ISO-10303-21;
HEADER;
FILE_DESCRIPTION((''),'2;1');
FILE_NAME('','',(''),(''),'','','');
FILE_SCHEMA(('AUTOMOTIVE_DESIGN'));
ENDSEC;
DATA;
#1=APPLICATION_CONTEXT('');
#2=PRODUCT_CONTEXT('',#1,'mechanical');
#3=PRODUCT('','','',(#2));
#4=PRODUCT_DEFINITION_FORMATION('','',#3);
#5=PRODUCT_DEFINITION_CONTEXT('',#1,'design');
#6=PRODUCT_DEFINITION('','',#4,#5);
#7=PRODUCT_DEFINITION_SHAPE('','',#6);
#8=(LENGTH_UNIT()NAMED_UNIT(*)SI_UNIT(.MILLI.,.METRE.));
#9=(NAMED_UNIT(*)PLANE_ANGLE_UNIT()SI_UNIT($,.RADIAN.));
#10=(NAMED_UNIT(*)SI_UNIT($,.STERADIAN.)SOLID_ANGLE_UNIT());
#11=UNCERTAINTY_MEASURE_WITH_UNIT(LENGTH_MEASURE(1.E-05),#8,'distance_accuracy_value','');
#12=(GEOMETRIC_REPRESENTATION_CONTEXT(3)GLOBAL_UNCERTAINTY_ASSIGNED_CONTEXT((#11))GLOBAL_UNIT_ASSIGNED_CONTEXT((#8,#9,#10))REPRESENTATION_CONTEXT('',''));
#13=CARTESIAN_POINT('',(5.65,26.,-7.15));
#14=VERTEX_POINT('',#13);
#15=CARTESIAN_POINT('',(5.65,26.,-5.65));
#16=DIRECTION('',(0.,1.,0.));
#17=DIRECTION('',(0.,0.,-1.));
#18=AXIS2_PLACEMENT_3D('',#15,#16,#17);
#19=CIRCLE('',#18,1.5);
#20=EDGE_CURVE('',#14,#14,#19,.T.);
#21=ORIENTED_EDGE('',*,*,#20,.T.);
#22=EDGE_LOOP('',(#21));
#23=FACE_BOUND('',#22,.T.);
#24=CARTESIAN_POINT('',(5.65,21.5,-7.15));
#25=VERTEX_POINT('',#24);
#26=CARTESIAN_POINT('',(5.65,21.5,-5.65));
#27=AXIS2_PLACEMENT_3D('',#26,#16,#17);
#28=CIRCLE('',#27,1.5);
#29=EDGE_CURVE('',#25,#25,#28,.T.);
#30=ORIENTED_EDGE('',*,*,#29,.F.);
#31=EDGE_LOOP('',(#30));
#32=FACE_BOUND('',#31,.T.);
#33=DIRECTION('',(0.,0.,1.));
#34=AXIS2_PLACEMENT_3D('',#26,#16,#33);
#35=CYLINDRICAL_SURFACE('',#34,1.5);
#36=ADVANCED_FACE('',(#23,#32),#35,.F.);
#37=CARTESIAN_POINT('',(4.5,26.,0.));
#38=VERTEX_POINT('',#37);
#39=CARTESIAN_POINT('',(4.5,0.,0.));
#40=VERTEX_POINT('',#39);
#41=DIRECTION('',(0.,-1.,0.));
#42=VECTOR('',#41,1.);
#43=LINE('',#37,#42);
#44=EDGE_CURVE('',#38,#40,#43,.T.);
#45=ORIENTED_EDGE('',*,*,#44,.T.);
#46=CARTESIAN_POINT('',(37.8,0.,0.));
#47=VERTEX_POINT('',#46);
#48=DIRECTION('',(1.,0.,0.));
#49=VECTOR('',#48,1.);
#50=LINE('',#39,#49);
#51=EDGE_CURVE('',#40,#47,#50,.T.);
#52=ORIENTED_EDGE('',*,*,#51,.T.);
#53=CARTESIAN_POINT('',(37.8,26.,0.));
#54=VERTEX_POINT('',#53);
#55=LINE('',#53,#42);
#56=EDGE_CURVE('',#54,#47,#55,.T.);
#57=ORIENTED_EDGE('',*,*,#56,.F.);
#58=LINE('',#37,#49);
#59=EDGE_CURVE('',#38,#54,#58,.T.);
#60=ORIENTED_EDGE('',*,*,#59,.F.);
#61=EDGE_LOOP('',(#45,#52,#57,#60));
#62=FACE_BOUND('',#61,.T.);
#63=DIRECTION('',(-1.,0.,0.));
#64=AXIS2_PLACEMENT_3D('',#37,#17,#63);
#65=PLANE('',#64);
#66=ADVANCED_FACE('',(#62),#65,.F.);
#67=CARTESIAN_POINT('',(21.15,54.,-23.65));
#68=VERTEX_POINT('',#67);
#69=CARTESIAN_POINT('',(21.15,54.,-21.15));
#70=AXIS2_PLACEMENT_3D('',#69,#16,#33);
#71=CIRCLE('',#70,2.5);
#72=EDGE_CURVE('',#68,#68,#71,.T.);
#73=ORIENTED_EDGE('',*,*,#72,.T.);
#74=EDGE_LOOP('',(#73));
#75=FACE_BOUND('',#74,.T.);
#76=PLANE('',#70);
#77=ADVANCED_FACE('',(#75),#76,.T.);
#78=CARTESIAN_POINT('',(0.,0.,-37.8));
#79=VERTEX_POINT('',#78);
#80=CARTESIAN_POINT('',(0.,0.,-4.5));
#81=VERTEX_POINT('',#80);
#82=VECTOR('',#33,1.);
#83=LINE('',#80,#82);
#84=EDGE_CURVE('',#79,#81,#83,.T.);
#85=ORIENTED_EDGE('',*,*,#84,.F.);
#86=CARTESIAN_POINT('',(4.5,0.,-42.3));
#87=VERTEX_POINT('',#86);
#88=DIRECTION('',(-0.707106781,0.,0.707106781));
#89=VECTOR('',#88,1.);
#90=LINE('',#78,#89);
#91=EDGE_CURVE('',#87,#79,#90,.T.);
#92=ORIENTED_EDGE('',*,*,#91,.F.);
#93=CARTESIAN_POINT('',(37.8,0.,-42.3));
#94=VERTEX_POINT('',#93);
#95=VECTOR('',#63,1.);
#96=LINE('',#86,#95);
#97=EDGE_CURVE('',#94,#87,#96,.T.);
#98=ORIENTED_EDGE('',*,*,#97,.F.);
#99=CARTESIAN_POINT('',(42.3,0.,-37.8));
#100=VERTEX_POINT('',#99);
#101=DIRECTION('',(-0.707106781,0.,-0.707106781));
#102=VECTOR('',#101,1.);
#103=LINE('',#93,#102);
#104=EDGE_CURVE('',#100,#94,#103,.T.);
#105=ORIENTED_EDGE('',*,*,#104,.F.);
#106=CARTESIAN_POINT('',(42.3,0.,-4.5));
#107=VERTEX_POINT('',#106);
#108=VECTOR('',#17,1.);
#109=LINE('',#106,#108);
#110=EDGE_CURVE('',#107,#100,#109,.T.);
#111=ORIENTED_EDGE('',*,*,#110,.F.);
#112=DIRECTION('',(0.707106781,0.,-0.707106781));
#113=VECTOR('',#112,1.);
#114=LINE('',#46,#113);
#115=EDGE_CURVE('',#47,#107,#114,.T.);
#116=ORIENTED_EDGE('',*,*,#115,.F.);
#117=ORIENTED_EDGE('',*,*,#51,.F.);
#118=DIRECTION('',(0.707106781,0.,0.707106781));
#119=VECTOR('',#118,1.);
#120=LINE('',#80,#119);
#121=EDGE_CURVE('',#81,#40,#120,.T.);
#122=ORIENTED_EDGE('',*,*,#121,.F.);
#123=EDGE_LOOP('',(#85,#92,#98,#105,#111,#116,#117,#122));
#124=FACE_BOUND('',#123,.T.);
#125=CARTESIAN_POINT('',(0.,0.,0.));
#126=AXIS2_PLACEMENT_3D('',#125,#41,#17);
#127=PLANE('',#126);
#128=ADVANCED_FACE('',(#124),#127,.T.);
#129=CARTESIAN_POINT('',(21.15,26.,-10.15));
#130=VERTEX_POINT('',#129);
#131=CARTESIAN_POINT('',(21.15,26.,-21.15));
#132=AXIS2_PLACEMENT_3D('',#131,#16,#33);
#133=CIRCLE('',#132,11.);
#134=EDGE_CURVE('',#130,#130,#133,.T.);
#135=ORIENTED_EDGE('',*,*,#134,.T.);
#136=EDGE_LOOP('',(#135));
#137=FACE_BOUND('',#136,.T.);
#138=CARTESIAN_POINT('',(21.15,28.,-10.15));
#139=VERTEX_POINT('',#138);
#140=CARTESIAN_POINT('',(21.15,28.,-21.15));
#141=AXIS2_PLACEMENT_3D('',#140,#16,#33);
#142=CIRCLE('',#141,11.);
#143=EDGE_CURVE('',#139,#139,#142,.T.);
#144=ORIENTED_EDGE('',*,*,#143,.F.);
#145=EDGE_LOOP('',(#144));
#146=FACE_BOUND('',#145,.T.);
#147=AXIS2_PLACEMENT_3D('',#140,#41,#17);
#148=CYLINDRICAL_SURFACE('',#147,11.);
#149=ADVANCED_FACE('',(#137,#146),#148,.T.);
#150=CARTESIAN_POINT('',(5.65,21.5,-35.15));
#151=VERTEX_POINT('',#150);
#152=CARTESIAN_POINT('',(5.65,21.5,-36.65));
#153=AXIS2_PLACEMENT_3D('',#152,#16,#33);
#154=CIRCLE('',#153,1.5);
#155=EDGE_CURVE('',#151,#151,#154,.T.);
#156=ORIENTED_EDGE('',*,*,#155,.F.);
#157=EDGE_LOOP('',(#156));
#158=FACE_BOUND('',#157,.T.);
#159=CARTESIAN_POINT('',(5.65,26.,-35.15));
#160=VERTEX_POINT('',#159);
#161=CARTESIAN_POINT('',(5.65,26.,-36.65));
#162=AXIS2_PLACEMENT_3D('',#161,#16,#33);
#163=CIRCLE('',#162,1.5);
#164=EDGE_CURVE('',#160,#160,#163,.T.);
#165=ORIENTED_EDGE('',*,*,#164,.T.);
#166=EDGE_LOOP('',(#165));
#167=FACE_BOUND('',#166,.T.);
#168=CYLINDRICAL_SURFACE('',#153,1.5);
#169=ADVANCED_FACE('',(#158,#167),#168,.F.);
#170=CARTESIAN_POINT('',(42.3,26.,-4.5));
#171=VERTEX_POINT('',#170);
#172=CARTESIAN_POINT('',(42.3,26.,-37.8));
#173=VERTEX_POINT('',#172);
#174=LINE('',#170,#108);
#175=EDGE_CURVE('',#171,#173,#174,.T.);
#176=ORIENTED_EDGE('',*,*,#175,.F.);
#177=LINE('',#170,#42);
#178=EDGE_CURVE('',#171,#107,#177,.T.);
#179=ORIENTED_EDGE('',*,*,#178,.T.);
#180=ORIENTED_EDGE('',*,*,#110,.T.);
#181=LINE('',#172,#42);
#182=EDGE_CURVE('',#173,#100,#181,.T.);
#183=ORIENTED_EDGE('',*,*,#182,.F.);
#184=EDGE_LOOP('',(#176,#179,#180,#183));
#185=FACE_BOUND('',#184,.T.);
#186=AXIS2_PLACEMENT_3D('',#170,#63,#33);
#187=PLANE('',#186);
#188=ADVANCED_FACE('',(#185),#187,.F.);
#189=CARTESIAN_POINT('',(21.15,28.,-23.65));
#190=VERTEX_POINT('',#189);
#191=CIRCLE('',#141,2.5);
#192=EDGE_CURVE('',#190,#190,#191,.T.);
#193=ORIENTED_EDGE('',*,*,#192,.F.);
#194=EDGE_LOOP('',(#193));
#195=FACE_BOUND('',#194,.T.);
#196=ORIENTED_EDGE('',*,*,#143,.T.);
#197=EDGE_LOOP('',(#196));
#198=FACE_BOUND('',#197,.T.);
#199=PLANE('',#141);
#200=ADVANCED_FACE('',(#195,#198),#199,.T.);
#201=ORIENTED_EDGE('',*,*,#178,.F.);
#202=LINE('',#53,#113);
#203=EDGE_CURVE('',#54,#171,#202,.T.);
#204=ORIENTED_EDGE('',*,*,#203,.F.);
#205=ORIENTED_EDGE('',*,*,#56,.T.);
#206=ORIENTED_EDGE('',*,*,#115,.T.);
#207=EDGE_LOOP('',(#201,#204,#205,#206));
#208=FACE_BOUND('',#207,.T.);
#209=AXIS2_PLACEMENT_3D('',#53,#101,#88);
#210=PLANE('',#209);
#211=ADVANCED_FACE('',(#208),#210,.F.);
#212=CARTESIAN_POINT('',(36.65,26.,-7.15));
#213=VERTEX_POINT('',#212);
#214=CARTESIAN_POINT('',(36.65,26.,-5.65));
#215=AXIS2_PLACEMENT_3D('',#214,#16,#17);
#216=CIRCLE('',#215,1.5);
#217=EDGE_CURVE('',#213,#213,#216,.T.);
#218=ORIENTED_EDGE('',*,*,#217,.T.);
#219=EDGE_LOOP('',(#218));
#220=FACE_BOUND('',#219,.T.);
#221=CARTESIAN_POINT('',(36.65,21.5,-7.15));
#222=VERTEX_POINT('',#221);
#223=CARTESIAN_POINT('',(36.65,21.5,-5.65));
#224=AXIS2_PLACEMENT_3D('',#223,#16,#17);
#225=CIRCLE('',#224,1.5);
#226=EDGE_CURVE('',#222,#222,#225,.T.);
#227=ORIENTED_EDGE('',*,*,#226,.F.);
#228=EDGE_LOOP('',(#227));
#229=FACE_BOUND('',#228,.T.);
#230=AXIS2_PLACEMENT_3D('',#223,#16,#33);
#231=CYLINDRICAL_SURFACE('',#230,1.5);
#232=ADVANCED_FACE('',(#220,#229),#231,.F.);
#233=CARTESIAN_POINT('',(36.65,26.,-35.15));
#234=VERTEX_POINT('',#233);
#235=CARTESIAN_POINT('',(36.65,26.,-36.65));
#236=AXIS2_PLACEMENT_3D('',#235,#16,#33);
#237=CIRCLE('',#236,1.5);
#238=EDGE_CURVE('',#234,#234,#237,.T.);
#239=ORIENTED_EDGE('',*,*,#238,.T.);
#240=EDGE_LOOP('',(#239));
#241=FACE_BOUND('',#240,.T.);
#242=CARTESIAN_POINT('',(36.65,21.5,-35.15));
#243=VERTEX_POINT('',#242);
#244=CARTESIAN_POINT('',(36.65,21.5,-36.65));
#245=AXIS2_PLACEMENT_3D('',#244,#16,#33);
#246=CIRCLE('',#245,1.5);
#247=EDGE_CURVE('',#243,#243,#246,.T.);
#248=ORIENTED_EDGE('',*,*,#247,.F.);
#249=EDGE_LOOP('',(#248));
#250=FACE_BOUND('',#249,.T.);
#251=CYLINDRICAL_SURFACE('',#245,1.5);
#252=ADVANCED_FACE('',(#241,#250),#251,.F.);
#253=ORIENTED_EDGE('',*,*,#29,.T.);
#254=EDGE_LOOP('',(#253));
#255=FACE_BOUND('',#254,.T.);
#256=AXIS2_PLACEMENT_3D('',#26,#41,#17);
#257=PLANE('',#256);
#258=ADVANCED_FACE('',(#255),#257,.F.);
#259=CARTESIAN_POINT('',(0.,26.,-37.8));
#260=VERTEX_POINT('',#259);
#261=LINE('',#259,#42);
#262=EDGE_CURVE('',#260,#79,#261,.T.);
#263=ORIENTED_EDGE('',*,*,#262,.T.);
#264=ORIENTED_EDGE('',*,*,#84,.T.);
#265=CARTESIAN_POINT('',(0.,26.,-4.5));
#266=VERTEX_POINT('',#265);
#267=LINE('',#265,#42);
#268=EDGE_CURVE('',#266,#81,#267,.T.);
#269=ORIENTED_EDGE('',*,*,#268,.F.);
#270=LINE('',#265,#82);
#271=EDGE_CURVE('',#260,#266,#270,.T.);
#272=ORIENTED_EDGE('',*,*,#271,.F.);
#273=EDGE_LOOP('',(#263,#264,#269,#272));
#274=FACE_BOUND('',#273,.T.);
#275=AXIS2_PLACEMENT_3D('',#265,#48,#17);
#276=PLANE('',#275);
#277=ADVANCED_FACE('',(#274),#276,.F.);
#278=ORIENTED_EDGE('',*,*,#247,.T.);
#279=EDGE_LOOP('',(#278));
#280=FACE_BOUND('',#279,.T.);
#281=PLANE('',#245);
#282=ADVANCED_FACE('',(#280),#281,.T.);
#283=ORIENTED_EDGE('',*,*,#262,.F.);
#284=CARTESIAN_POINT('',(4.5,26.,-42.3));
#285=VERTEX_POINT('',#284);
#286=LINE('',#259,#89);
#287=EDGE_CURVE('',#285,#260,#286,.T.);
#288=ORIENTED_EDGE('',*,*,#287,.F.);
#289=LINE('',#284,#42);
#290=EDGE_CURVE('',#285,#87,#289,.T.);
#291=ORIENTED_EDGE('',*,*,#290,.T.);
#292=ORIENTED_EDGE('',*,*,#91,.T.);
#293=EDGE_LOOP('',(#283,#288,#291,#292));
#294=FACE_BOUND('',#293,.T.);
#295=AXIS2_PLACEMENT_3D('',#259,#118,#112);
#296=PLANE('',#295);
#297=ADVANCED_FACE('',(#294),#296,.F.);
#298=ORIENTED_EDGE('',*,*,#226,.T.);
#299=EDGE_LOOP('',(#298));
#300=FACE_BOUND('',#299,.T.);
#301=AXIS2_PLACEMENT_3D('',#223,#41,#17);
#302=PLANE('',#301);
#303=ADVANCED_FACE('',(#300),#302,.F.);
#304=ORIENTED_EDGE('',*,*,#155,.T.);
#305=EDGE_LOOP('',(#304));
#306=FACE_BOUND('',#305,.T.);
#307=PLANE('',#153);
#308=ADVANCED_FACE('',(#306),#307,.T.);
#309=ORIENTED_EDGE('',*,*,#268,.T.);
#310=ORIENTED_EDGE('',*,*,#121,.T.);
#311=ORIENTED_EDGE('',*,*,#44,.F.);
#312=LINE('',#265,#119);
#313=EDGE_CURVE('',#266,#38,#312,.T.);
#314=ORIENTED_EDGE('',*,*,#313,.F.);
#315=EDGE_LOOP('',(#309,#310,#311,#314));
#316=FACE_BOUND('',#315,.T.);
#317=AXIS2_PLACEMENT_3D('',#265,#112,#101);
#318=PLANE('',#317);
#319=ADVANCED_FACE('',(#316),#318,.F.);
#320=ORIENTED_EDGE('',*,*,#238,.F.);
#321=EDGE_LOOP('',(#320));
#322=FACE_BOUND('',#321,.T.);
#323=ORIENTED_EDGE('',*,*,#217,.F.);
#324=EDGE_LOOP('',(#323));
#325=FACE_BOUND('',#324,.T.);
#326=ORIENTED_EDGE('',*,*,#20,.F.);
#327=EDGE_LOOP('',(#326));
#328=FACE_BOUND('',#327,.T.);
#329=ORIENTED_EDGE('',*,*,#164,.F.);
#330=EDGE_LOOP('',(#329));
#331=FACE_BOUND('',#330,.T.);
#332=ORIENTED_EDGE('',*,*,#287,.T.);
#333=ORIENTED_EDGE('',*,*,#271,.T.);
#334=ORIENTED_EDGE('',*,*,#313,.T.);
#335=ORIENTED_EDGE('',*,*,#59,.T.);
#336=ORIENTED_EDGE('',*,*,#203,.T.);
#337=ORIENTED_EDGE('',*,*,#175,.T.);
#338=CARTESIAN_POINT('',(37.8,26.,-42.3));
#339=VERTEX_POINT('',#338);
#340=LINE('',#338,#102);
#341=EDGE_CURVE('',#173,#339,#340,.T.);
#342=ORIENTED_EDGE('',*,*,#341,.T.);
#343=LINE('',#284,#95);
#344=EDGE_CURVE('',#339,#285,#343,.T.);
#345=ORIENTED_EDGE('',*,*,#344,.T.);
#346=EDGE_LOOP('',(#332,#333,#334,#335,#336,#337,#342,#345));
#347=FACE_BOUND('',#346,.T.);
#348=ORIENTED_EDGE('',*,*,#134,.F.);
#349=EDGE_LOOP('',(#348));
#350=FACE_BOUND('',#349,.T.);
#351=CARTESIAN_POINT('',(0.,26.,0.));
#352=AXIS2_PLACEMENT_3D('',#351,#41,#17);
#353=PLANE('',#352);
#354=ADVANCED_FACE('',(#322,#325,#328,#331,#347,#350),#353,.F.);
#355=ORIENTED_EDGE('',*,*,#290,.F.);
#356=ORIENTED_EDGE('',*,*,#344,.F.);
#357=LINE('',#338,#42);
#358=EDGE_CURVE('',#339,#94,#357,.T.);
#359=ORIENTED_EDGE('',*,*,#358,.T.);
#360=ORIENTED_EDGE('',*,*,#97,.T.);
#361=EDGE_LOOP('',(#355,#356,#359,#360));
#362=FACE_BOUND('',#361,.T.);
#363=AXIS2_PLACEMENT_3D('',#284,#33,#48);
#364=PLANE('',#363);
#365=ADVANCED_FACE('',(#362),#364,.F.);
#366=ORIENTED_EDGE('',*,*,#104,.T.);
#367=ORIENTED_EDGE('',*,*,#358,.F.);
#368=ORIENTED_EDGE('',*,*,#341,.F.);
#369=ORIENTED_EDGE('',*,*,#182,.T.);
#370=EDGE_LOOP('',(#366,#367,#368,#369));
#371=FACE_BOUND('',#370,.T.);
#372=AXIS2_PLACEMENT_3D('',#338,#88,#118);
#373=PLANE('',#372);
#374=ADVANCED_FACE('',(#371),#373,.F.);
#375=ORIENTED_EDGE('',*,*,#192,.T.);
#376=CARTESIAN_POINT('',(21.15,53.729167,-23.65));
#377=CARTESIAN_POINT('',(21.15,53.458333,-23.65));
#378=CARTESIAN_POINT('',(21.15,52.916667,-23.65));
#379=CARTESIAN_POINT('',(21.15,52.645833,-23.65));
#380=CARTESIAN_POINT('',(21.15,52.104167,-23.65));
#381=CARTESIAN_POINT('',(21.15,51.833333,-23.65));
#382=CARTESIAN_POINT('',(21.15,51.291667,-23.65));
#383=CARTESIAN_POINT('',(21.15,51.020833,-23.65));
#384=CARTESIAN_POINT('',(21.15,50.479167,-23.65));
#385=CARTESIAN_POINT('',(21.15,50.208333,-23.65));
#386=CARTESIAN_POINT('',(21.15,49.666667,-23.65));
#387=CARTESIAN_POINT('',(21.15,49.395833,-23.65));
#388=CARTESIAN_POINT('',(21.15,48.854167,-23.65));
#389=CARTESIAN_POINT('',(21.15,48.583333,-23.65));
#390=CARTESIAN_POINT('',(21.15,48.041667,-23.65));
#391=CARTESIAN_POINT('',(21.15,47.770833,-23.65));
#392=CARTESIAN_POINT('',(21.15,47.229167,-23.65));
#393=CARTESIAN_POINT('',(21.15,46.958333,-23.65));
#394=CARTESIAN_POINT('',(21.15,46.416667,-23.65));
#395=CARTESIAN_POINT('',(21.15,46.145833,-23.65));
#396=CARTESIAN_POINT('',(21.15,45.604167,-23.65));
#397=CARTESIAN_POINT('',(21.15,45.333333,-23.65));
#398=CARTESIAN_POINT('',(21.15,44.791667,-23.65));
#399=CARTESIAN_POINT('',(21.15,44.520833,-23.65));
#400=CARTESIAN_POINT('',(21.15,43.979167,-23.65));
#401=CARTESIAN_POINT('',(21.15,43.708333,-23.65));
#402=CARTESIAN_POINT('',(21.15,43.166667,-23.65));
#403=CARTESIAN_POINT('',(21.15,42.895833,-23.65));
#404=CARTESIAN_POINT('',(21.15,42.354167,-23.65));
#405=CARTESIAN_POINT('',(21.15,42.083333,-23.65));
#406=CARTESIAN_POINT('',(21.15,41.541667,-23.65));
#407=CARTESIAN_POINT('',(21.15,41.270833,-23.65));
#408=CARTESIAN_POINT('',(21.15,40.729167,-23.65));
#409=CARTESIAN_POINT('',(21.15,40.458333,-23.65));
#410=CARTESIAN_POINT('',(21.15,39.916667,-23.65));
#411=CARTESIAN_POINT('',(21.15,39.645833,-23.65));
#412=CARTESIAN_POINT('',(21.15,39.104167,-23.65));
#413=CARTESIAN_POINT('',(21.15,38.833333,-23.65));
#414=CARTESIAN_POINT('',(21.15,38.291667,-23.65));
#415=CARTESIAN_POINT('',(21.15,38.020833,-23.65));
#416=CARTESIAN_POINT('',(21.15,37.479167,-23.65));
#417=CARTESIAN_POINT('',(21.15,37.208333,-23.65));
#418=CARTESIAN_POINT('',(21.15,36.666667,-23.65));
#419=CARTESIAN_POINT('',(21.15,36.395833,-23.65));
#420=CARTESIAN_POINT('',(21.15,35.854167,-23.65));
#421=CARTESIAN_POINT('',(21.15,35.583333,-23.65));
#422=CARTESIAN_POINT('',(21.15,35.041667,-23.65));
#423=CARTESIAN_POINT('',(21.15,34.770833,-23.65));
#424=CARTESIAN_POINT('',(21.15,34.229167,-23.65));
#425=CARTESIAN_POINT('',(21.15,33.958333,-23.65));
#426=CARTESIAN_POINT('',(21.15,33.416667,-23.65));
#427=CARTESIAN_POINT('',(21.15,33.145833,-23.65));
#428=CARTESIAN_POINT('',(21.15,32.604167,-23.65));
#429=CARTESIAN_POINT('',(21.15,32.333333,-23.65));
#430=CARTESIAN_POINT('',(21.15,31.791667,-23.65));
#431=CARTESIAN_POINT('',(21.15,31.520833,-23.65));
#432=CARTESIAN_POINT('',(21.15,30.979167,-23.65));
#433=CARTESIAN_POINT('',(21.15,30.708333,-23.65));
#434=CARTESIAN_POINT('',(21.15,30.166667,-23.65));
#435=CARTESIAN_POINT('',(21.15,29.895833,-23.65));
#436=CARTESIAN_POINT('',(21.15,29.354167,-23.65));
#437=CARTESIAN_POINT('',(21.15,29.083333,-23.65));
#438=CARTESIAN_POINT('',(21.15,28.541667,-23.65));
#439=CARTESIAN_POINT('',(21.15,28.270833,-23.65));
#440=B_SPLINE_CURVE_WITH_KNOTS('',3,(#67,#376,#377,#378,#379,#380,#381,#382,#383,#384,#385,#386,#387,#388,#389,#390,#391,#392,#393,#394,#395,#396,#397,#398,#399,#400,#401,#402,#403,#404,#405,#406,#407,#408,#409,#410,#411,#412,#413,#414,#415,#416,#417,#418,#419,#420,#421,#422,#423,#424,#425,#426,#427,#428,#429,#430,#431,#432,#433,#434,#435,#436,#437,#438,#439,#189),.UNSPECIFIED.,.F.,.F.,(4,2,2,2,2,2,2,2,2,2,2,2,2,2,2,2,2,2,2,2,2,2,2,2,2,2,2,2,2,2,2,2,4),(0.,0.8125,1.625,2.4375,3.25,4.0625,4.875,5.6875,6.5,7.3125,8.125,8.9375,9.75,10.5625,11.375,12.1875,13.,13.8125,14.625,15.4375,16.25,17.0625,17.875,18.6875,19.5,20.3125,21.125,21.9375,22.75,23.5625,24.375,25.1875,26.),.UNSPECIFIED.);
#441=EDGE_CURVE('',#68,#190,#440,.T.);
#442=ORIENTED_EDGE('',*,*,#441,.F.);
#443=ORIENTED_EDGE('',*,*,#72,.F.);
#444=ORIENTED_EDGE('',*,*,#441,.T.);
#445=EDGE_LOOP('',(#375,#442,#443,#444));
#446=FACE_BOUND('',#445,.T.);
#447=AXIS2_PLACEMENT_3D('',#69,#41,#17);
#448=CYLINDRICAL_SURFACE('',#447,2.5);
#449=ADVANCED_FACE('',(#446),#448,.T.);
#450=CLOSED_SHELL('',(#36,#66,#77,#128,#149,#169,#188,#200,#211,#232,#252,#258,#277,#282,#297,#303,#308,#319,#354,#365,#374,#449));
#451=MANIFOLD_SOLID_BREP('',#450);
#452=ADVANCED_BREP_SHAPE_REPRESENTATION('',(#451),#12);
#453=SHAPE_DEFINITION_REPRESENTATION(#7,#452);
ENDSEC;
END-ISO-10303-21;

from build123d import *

# Parameters (mm, degrees)
AUFSATZ_LINEAR_AUSTRAGEN1_DEPTH = 26
SKIZZE2_R                       = 11
AUFSATZ_LINEAR_AUSTRAGEN2_DEPTH = 2
SKIZZE3_R                       = 2.5
AUFSATZ_LINEAR_AUSTRAGEN3_DEPTH = 26
SKIZZE4_R                       = 1.5
SCHNITT_LINEAR_AUSTRAGEN1_DEPTH = 4.5


with BuildPart() as part:
    # Skizze1 → Aufsatz-Linear austragen1 (new body)
    with BuildSketch(Plane(origin=(0, 0, 0), x_dir=(1, 0, 0), z_dir=(0, 1, 0))):
        Polygon((0, 37.8), (4.5, 42.3), (37.8, 42.3), (42.3, 37.8), (42.3, 4.5), (37.8, 0), (4.5, 0), (0, 4.5), align=None)
    extrude(amount=AUFSATZ_LINEAR_AUSTRAGEN1_DEPTH)

    # Skizze2 → Aufsatz-Linear austragen2 (add)
    with BuildSketch(Plane(origin=(0, 26, 0), x_dir=(1, 0, 0), z_dir=(0, 1, 0))):
        with Locations(Location((21.15, 21.15, 0), (0, 0, 270))):
            Circle(SKIZZE2_R)
    extrude(amount=AUFSATZ_LINEAR_AUSTRAGEN2_DEPTH)

    # Skizze3 → Aufsatz-Linear austragen3 (add)
    with BuildSketch(Plane(origin=(0, 28, 0), x_dir=(1, 0, 0), z_dir=(0, 1, 0))):
        with Locations(Location((21.15, 21.15, 0), (0, 0, 90))):
            Circle(SKIZZE3_R)
    extrude(amount=AUFSATZ_LINEAR_AUSTRAGEN3_DEPTH)

    # Skizze4 → Schnitt-Linear austragen1 (cut)
    with BuildSketch(Plane(origin=(0, 26, 0), x_dir=(1, 0, 0), z_dir=(0, 1, 0))):
        with Locations(Location((5.65, 36.65, 0), (0, 0, 270))):
            Circle(SKIZZE4_R)
        with Locations(Location((36.65, 36.65, 0), (0, 0, 270))):
            Circle(SKIZZE4_R)
        with Locations(Location((5.65, 5.65, 0), (0, 0, 90))):
            Circle(SKIZZE4_R)
        with Locations(Location((36.65, 5.65, 0), (0, 0, 90))):
            Circle(SKIZZE4_R)
    extrude(amount=-SCHNITT_LINEAR_AUSTRAGEN1_DEPTH, mode=Mode.SUBTRACT)


solid = part.part
